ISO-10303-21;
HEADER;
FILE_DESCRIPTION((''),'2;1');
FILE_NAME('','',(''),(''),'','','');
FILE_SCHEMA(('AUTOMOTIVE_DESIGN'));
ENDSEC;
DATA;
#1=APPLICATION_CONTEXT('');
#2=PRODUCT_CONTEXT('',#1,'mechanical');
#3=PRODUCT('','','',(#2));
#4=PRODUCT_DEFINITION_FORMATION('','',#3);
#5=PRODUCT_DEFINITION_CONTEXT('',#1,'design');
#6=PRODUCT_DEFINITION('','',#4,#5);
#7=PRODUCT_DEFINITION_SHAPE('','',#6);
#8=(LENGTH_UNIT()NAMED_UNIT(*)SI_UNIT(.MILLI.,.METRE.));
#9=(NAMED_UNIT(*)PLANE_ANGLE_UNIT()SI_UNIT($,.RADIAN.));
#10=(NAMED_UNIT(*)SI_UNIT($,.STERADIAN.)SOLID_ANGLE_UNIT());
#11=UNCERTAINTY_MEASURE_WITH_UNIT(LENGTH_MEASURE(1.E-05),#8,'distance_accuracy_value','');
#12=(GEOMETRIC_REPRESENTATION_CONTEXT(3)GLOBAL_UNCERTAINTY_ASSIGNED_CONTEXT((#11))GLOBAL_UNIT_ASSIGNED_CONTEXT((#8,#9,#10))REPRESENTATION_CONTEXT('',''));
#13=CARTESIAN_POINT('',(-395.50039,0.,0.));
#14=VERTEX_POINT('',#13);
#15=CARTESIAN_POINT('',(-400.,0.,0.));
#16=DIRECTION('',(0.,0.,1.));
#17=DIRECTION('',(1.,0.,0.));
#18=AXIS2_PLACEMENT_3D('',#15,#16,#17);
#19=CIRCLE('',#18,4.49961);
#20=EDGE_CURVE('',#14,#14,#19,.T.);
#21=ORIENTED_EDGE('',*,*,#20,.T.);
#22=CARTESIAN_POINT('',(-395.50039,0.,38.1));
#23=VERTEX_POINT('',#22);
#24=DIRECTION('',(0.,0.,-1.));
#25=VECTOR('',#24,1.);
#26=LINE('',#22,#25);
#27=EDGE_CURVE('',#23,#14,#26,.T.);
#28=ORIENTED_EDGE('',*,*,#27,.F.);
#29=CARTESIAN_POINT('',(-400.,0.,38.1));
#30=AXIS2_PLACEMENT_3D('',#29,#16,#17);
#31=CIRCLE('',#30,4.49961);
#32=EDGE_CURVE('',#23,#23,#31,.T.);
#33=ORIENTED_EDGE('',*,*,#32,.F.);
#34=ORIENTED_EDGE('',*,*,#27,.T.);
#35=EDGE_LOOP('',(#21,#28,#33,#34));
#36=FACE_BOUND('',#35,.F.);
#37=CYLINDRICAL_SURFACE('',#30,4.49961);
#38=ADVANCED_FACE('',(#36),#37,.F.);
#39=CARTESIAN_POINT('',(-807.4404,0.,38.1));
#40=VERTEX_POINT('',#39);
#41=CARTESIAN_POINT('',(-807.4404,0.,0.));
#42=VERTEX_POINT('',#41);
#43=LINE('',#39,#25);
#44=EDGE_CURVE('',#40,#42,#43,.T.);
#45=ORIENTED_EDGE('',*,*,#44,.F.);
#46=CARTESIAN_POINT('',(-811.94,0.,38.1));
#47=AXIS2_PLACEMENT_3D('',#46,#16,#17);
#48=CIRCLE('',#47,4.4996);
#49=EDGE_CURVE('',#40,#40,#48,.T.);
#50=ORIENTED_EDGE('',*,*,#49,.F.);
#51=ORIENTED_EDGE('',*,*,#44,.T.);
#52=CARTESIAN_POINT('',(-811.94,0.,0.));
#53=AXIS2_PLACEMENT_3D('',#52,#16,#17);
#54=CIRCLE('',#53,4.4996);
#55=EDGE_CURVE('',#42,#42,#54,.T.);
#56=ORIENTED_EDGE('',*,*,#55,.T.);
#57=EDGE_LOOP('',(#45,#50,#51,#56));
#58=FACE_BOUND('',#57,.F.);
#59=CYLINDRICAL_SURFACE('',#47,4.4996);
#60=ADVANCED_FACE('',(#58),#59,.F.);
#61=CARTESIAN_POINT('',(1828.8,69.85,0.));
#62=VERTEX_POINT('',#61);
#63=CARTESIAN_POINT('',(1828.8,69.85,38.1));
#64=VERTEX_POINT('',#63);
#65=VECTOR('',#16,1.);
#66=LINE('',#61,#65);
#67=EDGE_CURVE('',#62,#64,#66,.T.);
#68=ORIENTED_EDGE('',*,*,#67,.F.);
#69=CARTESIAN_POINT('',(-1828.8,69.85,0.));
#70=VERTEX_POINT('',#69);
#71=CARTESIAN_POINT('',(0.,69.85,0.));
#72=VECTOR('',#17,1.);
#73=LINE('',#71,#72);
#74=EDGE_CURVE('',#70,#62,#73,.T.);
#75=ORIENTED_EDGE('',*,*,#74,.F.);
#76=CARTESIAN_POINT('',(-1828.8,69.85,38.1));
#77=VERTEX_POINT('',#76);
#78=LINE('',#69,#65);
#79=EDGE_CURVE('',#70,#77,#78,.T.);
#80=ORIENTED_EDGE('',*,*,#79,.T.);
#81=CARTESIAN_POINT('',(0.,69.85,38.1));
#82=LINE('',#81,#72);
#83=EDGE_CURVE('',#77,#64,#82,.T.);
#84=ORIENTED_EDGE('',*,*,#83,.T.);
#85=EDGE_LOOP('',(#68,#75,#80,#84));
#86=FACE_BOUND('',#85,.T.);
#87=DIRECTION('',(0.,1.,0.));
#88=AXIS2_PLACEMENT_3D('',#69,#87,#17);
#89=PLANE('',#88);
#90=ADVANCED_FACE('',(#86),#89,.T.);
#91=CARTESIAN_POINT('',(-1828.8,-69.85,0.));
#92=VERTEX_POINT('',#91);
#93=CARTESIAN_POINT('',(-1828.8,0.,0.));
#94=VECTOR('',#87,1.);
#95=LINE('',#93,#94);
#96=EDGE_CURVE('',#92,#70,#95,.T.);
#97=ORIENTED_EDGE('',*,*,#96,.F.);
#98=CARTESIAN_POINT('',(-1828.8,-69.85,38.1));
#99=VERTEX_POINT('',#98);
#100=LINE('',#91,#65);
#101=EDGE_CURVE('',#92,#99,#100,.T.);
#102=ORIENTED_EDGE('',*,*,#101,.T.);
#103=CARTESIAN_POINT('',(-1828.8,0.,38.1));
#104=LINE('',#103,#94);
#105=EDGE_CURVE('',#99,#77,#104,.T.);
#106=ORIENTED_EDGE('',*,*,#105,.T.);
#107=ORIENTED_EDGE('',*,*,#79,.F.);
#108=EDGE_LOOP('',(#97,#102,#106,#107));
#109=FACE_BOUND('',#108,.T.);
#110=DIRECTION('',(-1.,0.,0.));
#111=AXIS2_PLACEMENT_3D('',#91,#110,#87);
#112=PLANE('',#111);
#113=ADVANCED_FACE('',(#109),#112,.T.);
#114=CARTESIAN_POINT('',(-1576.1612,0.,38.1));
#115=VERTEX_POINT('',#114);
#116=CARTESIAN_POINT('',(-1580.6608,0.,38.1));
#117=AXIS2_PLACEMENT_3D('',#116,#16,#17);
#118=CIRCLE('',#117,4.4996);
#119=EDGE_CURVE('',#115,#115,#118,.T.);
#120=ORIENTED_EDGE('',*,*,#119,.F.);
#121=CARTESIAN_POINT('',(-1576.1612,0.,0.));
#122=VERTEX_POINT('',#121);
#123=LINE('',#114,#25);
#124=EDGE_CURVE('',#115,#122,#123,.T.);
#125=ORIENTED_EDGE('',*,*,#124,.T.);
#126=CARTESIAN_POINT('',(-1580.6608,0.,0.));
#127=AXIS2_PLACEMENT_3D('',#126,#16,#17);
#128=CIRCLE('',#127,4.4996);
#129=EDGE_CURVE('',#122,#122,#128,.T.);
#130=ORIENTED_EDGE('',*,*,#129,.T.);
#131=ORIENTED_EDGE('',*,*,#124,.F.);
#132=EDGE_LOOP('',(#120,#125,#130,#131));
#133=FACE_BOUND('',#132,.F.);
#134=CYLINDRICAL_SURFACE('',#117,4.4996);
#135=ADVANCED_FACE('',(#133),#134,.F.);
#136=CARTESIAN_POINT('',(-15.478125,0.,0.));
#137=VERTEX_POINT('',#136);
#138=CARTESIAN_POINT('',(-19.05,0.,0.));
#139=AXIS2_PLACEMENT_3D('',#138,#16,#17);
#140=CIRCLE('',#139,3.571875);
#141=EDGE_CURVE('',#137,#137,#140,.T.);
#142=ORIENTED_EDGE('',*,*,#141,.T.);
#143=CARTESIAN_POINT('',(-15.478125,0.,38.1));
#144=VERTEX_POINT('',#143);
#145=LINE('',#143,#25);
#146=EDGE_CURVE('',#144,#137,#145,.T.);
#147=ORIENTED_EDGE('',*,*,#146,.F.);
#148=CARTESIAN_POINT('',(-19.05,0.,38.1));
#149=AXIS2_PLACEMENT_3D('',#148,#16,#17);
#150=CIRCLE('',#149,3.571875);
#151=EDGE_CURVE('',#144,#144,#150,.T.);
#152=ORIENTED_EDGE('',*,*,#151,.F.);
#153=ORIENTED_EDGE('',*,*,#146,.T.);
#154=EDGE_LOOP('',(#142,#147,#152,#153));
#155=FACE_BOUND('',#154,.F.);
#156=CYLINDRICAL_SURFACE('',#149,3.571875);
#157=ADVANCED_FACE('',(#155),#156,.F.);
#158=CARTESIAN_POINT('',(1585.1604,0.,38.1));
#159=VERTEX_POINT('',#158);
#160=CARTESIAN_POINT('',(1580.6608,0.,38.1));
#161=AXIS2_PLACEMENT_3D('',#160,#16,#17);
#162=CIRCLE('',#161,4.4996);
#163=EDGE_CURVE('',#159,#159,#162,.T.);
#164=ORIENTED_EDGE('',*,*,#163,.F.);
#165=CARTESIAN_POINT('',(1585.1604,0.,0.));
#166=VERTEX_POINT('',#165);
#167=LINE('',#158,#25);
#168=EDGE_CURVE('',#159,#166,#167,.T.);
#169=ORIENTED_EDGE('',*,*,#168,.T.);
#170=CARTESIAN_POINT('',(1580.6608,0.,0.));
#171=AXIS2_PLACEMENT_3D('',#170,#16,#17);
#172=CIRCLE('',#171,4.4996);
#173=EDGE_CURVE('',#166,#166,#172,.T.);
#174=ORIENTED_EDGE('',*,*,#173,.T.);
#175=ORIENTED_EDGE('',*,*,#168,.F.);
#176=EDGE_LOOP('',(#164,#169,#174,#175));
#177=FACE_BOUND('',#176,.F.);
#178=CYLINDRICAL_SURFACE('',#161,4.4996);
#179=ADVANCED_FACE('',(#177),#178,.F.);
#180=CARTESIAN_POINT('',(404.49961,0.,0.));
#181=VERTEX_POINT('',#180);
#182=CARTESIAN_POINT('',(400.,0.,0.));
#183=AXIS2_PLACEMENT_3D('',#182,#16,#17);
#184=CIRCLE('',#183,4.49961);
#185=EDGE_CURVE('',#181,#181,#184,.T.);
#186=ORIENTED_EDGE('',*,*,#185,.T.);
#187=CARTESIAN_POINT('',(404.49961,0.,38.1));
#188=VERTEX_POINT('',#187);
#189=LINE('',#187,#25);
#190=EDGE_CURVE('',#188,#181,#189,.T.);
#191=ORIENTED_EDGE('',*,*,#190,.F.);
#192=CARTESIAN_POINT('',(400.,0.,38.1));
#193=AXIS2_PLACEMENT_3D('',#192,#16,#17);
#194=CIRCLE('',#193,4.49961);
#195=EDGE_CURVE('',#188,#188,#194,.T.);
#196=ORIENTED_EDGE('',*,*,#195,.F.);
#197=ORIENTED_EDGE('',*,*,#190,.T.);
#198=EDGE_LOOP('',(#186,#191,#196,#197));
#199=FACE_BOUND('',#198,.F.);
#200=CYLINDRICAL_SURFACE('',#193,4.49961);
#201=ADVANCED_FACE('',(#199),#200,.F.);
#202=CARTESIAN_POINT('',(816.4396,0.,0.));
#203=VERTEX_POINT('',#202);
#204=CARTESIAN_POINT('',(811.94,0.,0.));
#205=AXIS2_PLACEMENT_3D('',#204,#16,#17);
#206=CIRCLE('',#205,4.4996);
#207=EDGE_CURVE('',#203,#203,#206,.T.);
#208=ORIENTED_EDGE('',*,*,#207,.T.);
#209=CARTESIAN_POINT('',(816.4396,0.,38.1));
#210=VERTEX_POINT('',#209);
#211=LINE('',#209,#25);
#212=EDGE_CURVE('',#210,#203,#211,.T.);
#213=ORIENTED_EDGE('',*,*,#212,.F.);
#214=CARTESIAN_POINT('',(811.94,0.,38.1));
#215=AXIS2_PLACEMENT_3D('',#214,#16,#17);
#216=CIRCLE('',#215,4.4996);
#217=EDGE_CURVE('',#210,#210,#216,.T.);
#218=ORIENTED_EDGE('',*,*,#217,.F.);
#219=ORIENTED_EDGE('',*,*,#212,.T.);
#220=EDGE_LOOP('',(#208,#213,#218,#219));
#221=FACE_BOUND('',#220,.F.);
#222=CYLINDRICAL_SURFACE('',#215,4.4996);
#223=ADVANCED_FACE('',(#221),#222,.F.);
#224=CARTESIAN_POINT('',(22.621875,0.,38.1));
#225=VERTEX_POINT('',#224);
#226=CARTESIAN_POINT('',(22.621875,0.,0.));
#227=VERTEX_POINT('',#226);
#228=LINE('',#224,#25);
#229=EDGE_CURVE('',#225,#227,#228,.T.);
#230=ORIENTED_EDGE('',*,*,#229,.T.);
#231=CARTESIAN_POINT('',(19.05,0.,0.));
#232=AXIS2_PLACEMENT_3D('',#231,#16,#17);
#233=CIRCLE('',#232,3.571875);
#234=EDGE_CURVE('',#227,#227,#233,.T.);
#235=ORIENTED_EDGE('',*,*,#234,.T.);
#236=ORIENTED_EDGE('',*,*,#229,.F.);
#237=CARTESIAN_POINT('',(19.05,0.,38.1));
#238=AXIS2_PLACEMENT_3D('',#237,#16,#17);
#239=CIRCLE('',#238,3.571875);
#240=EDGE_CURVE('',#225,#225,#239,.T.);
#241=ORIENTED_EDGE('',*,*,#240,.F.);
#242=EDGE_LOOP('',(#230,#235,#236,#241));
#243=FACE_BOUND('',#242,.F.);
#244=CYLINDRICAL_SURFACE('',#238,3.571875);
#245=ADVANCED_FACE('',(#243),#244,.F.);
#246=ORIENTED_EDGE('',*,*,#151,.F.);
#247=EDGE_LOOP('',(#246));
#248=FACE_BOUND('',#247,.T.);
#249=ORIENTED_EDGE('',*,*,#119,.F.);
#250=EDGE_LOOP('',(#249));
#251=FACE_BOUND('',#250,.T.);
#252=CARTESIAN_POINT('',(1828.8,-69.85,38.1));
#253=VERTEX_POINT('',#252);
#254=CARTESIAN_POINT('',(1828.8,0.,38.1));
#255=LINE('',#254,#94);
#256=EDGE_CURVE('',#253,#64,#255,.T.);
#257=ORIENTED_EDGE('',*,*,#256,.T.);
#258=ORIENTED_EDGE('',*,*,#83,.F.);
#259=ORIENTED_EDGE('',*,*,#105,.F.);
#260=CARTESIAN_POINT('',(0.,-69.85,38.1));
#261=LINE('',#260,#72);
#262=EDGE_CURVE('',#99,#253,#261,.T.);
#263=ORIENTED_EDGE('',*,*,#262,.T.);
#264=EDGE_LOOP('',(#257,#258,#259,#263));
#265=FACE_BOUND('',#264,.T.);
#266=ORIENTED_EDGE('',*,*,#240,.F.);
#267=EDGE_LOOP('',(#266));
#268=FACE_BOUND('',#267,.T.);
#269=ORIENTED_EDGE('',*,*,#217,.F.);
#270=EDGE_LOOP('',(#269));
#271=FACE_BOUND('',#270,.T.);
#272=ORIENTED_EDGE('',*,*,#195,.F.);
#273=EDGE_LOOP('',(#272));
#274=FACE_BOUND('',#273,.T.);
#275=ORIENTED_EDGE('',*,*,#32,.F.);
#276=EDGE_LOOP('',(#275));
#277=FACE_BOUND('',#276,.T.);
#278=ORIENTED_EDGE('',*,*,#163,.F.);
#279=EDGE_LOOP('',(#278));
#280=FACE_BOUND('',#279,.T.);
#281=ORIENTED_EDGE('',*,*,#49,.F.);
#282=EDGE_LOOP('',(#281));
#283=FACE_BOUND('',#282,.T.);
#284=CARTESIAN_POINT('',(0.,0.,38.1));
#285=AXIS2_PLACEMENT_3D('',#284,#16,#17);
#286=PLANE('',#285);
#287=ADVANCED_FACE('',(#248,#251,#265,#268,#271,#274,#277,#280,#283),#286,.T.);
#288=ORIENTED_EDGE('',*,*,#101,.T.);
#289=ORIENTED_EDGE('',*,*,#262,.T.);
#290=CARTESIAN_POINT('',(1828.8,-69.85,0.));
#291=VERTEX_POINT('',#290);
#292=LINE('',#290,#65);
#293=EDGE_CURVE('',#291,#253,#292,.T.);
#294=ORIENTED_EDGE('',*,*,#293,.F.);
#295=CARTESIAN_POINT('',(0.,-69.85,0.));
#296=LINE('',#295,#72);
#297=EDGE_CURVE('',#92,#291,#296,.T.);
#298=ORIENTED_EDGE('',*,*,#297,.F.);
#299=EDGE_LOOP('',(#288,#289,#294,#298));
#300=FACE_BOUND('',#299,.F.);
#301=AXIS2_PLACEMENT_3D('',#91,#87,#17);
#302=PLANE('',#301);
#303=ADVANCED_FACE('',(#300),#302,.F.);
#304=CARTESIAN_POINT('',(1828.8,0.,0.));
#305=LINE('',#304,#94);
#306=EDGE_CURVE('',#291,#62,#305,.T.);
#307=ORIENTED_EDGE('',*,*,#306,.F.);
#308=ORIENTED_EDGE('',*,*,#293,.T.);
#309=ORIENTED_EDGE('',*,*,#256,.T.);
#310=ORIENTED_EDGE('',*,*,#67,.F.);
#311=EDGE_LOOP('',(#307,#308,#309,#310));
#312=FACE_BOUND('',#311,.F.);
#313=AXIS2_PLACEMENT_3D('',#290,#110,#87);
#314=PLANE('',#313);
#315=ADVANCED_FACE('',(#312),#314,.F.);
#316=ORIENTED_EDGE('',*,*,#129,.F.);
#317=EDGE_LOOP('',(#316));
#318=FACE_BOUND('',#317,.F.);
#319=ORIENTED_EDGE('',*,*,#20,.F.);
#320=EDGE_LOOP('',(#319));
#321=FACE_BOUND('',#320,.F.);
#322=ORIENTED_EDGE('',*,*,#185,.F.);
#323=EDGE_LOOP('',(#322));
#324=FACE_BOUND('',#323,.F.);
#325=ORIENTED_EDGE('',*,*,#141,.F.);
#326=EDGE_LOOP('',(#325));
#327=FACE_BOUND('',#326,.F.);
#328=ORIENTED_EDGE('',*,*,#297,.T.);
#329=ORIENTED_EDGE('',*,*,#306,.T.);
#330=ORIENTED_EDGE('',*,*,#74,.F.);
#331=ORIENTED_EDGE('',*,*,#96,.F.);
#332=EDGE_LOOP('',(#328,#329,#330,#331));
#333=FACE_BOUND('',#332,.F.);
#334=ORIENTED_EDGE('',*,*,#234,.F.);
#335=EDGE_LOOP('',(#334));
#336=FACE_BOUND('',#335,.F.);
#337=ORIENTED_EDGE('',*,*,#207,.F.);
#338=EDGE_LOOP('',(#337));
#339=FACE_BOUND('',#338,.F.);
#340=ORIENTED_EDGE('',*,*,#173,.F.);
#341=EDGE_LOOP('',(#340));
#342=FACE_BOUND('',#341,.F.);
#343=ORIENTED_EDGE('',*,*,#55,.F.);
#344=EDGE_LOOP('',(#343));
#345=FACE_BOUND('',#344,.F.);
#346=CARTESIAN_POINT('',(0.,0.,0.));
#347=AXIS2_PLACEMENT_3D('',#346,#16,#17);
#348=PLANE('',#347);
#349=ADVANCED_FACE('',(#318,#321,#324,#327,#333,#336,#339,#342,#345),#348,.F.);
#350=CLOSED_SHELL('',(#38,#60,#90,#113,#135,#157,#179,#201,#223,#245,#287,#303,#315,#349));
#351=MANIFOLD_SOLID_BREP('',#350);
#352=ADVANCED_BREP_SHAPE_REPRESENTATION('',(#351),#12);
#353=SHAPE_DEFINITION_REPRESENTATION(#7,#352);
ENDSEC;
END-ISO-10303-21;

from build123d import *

# Parameters (mm, degrees)
SKETCH1_W           = 3657.6
SKETCH1_H           = 139.7
BOSS_EXTRUDE1_DEPTH = 38.1
SKETCH3_R           = 3.571875
CUT_EXTRUDE2_DEPTH  = 1831.529997706
SKETCH5_R           = 4.49961
CUT_EXTRUDE3_DEPTH  = 1831.529997706
SKETCH6_R           = 4.4996
CUT_EXTRUDE4_DEPTH  = 1831.529997706


with BuildPart() as part:
    # Sketch1 → Boss-Extrude1 (new body)
    with BuildSketch(Plane.XY):
        Rectangle(SKETCH1_W, SKETCH1_H)
    extrude(amount=BOSS_EXTRUDE1_DEPTH)

    # Sketch3 → Cut-Extrude2 (cut, through all)
    with BuildSketch(Plane.XY.offset(38.1)):
        with Locations((-19.05, 0)):
            Circle(SKETCH3_R)
        with Locations((19.05, 0)):
            Circle(SKETCH3_R)
    extrude(amount=-CUT_EXTRUDE2_DEPTH, mode=Mode.SUBTRACT)

    # Sketch5 → Cut-Extrude3 (cut, through all)
    with BuildSketch(Plane.XY.offset(38.1)):
        with Locations((400, 0)):
            Circle(SKETCH5_R)
        with Locations((-400, 0)):
            Circle(SKETCH5_R)
    extrude(amount=-CUT_EXTRUDE3_DEPTH, mode=Mode.SUBTRACT)

    # Sketch6 → Cut-Extrude4 (cut, through all)
    with BuildSketch(Plane.XY.offset(38.1)):
        with Locations((811.94, 0)):
            Circle(SKETCH6_R)
        with Locations((1580.6608, 0)):
            Circle(SKETCH6_R)
        with Locations((-1580.6608, 0)):
            Circle(SKETCH6_R)
        with Locations((-811.94, 0)):
            Circle(SKETCH6_R)
    extrude(amount=-CUT_EXTRUDE4_DEPTH, mode=Mode.SUBTRACT)


solid = part.part
